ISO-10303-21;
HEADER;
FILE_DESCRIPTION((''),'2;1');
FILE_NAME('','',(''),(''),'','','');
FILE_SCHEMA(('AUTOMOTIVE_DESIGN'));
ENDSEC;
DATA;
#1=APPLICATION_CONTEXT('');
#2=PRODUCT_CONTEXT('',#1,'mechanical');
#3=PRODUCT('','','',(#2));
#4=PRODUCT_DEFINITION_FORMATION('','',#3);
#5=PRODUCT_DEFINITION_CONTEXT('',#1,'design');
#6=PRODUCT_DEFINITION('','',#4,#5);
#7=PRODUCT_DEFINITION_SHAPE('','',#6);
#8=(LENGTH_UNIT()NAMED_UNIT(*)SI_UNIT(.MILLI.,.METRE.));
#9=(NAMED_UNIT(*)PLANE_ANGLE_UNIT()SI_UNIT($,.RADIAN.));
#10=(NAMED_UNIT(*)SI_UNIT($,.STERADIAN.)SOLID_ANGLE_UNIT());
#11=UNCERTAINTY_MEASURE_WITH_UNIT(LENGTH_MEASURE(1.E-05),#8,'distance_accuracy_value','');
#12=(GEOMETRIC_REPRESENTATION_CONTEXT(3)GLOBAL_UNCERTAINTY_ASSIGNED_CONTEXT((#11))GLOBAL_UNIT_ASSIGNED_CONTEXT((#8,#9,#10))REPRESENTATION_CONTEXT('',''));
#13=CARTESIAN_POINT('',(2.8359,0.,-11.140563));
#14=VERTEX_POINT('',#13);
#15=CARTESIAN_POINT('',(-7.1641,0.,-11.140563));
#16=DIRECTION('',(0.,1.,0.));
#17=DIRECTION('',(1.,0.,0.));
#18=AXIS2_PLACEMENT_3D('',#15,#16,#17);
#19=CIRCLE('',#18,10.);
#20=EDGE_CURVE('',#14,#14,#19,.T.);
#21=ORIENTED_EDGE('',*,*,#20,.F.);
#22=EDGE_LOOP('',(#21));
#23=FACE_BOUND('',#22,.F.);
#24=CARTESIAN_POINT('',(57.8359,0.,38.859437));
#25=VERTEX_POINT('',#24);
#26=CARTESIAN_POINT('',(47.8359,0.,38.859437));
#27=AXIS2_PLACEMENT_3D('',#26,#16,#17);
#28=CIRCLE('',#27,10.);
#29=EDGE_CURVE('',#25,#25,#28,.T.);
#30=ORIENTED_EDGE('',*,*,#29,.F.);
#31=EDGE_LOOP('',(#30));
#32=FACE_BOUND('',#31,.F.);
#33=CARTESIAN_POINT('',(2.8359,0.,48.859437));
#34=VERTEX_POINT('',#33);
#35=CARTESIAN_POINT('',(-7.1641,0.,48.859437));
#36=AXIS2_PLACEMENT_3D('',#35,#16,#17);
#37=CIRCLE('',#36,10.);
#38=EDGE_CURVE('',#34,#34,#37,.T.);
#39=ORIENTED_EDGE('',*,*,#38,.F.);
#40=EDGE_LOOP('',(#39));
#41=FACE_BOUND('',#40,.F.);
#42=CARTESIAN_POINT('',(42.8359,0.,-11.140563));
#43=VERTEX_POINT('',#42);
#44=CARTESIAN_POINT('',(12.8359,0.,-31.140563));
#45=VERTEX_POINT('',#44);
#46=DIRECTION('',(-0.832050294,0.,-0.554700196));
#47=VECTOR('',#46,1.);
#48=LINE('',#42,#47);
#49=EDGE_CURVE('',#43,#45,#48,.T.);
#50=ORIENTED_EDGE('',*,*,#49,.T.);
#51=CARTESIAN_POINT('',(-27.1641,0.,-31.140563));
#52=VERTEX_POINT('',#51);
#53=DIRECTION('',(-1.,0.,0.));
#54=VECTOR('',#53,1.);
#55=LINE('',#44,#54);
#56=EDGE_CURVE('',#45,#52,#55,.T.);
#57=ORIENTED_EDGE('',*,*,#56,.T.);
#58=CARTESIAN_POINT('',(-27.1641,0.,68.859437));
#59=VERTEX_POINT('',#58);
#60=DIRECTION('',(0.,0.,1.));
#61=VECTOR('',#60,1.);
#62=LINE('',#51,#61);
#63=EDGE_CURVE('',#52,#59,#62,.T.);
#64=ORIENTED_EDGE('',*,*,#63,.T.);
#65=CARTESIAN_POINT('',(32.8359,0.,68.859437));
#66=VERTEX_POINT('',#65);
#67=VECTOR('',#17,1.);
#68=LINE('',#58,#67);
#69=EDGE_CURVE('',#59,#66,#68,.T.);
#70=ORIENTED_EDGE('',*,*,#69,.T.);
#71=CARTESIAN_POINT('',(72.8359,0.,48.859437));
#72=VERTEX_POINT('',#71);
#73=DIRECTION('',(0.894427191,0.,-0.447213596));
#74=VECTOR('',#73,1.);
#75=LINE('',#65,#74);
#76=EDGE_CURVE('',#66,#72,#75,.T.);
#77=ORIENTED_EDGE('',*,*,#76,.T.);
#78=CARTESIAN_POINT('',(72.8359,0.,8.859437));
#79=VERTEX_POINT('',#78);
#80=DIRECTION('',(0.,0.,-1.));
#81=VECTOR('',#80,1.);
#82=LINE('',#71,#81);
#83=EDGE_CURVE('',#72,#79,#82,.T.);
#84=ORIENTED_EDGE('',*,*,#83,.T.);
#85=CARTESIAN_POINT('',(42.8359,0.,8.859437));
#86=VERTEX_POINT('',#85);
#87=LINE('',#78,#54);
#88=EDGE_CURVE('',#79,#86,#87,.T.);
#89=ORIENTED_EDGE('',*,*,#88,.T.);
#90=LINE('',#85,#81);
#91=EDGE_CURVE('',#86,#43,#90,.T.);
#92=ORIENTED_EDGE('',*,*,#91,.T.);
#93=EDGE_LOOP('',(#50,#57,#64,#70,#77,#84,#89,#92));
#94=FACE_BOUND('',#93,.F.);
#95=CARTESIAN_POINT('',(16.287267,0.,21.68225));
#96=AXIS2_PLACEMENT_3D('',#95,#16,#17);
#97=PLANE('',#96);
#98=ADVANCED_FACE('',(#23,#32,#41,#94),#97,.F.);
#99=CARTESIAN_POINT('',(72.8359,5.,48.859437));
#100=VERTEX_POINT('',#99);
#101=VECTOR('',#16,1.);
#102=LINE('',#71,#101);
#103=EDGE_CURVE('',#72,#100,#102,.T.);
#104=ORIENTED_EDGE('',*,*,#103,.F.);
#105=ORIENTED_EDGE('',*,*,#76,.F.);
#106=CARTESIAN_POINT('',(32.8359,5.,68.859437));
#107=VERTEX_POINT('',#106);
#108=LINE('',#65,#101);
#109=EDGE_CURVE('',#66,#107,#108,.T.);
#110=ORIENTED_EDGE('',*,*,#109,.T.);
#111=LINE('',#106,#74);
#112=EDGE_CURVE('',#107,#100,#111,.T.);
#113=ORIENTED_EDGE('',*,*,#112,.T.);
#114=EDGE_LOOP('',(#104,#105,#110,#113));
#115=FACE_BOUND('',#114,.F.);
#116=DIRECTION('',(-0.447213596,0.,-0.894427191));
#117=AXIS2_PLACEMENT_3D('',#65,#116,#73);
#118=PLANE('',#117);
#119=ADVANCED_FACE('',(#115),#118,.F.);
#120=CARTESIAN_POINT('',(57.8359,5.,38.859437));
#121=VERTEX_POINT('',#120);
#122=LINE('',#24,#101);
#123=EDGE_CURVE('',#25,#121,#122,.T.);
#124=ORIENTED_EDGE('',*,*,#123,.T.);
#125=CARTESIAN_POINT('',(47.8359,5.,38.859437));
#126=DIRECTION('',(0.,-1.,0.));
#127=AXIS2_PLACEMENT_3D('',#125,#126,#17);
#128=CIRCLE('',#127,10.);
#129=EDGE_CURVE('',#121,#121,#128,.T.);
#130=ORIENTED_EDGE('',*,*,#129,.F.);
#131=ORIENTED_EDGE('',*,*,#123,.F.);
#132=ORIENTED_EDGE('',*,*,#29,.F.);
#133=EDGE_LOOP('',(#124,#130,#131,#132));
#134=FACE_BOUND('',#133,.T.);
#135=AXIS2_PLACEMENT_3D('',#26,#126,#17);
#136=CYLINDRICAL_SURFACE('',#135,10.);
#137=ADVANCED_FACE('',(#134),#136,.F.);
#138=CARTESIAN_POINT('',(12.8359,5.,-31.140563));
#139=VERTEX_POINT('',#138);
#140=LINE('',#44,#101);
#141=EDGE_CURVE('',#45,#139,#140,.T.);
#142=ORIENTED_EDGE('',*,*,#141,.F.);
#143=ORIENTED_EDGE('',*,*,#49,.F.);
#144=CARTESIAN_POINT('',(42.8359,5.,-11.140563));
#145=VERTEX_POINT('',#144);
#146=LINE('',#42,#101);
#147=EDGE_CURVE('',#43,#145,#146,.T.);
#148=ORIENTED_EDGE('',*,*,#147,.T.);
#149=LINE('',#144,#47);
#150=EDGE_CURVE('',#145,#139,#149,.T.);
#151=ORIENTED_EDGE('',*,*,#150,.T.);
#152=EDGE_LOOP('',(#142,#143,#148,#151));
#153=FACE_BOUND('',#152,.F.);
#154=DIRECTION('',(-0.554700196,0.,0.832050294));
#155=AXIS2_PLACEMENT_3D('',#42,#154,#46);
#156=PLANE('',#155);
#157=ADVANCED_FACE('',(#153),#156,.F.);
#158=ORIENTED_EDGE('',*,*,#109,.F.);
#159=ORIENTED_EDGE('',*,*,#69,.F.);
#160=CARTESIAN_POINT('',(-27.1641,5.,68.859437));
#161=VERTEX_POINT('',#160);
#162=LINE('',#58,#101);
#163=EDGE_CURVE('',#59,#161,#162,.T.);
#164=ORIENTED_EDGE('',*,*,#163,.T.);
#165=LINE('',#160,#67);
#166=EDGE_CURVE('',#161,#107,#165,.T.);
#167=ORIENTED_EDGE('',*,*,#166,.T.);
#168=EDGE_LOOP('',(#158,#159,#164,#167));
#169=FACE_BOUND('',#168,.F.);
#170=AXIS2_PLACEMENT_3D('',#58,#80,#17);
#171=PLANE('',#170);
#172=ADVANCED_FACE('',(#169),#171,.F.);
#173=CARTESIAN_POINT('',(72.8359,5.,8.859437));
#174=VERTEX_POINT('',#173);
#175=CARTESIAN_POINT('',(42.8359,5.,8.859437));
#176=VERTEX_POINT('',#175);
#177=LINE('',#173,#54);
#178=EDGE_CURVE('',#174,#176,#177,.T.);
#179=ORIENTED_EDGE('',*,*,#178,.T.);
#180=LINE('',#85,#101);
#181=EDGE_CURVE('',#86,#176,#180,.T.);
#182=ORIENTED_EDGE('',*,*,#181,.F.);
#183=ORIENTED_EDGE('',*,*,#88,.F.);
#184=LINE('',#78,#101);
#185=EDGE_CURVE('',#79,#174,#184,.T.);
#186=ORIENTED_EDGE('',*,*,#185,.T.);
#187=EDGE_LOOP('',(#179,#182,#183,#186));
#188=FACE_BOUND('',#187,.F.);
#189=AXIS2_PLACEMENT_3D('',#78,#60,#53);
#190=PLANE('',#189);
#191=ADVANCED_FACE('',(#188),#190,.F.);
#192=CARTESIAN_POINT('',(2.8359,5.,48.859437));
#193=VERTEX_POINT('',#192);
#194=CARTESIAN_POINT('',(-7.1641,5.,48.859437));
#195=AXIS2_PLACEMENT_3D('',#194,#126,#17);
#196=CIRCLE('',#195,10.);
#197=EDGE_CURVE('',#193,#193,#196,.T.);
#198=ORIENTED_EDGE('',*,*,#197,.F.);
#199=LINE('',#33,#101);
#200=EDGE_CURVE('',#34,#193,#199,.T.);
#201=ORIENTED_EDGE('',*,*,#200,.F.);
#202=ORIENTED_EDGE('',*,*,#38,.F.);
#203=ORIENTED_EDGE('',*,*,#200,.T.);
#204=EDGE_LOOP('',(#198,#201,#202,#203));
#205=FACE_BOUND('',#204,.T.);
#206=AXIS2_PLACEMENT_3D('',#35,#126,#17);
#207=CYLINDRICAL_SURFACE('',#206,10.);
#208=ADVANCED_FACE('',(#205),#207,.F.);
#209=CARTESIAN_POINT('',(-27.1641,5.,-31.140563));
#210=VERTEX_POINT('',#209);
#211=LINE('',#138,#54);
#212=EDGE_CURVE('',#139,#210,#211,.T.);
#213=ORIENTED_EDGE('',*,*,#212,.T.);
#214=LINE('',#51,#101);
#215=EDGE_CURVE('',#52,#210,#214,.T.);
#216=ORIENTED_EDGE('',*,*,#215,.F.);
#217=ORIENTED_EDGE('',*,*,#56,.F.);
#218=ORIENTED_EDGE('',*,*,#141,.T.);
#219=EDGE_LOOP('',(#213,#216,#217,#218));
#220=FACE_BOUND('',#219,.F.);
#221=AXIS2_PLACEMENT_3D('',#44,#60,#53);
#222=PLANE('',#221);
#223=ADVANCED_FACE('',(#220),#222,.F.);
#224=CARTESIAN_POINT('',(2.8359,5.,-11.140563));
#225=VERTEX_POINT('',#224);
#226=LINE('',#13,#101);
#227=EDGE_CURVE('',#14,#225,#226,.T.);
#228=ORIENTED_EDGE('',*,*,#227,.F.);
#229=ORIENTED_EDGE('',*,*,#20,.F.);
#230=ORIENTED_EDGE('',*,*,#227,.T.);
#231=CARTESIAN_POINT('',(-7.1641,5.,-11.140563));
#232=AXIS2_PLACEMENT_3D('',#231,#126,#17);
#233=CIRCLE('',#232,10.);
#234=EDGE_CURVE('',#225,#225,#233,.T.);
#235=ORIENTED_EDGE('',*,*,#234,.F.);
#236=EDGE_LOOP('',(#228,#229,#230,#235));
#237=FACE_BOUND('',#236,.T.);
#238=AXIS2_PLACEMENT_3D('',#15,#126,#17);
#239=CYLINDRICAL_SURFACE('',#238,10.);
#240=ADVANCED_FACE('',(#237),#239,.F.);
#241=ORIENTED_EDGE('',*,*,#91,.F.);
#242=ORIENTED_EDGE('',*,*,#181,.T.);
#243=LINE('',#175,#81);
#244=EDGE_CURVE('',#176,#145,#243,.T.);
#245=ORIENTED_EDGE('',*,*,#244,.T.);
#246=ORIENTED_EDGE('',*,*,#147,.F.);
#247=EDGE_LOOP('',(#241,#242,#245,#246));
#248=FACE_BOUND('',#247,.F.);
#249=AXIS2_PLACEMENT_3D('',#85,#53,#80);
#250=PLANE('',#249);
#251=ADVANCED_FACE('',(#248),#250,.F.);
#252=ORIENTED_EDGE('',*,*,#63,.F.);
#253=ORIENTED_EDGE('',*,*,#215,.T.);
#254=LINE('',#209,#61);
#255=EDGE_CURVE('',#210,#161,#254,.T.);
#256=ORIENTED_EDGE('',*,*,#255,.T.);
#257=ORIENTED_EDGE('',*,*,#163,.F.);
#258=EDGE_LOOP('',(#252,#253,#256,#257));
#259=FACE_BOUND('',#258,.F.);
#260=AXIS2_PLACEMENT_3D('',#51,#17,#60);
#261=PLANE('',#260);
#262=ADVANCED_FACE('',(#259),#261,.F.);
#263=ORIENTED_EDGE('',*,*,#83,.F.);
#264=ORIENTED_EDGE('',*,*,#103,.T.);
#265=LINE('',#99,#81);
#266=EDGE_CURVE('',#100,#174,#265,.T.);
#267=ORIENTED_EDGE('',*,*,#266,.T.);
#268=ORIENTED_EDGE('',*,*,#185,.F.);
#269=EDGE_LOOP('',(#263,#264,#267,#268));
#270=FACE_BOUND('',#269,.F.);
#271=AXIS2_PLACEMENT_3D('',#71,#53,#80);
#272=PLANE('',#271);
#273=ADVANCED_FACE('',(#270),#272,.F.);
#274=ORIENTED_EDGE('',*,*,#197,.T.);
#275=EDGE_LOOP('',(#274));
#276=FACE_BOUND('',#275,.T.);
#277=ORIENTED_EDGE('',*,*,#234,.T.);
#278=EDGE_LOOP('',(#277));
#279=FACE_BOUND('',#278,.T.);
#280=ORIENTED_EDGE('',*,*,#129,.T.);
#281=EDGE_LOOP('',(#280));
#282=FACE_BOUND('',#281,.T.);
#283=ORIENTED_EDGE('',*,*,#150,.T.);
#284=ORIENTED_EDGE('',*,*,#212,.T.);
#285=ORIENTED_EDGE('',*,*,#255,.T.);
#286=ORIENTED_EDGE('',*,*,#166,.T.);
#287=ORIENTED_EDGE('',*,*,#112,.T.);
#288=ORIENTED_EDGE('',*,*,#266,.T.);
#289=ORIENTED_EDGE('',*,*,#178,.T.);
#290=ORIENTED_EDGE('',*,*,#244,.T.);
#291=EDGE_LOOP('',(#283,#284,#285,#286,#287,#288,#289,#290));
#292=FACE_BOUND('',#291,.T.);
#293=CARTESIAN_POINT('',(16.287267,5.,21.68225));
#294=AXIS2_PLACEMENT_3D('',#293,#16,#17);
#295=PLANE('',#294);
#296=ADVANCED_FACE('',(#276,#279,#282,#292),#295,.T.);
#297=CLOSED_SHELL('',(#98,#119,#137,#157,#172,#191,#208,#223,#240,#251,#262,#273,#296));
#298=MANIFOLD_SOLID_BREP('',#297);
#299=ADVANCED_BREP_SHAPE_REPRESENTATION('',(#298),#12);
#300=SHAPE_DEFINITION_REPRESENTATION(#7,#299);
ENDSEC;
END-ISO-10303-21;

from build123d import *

# Parameters (mm, degrees)
BOSS_EXTRUDE1_DEPTH     = 5
SKETCH1_7_R             = 10
CUT_EXTRUDE6_DEPTH      = 6
CUT_EXTRUDE6_DEPTH_BACK = 1


with BuildPart() as part:
    # Sketch1 → Boss-Extrude1 (new body)
    with BuildSketch(Plane(origin=(0, 0, 0), x_dir=(1, 0, 0), z_dir=(0, 1, 0))):
        Polygon((-27.164100119, 31.140563444), (-27.164100119, -68.859436556), (32.835899881, -68.859436556), (72.835899881, -48.859436556), (72.835899881, -8.859436556), (42.835899881, -8.859436556), (42.835899881, 11.140563444), (12.835899881, 31.140563444), align=None)
    extrude(amount=BOSS_EXTRUDE1_DEPTH)

    # Sketch1<7> → Cut-Extrude6 (cut, two sides)
    with BuildSketch(Plane(origin=(0, 0, 0), x_dir=(1, 0, 0), z_dir=(0, 1, 0))) as cut_extrude6_sk:
        with Locations((-7.164100119, 11.140563444)):
            Circle(SKETCH1_7_R)
        with Locations((-7.164100119, -48.859436556)):
            Circle(SKETCH1_7_R)
        with Locations((47.835899881, -38.859436556)):
            Circle(SKETCH1_7_R)
    extrude(amount=CUT_EXTRUDE6_DEPTH, mode=Mode.SUBTRACT)
    extrude(cut_extrude6_sk.sketch, amount=-CUT_EXTRUDE6_DEPTH_BACK, mode=Mode.SUBTRACT)


solid = part.part
